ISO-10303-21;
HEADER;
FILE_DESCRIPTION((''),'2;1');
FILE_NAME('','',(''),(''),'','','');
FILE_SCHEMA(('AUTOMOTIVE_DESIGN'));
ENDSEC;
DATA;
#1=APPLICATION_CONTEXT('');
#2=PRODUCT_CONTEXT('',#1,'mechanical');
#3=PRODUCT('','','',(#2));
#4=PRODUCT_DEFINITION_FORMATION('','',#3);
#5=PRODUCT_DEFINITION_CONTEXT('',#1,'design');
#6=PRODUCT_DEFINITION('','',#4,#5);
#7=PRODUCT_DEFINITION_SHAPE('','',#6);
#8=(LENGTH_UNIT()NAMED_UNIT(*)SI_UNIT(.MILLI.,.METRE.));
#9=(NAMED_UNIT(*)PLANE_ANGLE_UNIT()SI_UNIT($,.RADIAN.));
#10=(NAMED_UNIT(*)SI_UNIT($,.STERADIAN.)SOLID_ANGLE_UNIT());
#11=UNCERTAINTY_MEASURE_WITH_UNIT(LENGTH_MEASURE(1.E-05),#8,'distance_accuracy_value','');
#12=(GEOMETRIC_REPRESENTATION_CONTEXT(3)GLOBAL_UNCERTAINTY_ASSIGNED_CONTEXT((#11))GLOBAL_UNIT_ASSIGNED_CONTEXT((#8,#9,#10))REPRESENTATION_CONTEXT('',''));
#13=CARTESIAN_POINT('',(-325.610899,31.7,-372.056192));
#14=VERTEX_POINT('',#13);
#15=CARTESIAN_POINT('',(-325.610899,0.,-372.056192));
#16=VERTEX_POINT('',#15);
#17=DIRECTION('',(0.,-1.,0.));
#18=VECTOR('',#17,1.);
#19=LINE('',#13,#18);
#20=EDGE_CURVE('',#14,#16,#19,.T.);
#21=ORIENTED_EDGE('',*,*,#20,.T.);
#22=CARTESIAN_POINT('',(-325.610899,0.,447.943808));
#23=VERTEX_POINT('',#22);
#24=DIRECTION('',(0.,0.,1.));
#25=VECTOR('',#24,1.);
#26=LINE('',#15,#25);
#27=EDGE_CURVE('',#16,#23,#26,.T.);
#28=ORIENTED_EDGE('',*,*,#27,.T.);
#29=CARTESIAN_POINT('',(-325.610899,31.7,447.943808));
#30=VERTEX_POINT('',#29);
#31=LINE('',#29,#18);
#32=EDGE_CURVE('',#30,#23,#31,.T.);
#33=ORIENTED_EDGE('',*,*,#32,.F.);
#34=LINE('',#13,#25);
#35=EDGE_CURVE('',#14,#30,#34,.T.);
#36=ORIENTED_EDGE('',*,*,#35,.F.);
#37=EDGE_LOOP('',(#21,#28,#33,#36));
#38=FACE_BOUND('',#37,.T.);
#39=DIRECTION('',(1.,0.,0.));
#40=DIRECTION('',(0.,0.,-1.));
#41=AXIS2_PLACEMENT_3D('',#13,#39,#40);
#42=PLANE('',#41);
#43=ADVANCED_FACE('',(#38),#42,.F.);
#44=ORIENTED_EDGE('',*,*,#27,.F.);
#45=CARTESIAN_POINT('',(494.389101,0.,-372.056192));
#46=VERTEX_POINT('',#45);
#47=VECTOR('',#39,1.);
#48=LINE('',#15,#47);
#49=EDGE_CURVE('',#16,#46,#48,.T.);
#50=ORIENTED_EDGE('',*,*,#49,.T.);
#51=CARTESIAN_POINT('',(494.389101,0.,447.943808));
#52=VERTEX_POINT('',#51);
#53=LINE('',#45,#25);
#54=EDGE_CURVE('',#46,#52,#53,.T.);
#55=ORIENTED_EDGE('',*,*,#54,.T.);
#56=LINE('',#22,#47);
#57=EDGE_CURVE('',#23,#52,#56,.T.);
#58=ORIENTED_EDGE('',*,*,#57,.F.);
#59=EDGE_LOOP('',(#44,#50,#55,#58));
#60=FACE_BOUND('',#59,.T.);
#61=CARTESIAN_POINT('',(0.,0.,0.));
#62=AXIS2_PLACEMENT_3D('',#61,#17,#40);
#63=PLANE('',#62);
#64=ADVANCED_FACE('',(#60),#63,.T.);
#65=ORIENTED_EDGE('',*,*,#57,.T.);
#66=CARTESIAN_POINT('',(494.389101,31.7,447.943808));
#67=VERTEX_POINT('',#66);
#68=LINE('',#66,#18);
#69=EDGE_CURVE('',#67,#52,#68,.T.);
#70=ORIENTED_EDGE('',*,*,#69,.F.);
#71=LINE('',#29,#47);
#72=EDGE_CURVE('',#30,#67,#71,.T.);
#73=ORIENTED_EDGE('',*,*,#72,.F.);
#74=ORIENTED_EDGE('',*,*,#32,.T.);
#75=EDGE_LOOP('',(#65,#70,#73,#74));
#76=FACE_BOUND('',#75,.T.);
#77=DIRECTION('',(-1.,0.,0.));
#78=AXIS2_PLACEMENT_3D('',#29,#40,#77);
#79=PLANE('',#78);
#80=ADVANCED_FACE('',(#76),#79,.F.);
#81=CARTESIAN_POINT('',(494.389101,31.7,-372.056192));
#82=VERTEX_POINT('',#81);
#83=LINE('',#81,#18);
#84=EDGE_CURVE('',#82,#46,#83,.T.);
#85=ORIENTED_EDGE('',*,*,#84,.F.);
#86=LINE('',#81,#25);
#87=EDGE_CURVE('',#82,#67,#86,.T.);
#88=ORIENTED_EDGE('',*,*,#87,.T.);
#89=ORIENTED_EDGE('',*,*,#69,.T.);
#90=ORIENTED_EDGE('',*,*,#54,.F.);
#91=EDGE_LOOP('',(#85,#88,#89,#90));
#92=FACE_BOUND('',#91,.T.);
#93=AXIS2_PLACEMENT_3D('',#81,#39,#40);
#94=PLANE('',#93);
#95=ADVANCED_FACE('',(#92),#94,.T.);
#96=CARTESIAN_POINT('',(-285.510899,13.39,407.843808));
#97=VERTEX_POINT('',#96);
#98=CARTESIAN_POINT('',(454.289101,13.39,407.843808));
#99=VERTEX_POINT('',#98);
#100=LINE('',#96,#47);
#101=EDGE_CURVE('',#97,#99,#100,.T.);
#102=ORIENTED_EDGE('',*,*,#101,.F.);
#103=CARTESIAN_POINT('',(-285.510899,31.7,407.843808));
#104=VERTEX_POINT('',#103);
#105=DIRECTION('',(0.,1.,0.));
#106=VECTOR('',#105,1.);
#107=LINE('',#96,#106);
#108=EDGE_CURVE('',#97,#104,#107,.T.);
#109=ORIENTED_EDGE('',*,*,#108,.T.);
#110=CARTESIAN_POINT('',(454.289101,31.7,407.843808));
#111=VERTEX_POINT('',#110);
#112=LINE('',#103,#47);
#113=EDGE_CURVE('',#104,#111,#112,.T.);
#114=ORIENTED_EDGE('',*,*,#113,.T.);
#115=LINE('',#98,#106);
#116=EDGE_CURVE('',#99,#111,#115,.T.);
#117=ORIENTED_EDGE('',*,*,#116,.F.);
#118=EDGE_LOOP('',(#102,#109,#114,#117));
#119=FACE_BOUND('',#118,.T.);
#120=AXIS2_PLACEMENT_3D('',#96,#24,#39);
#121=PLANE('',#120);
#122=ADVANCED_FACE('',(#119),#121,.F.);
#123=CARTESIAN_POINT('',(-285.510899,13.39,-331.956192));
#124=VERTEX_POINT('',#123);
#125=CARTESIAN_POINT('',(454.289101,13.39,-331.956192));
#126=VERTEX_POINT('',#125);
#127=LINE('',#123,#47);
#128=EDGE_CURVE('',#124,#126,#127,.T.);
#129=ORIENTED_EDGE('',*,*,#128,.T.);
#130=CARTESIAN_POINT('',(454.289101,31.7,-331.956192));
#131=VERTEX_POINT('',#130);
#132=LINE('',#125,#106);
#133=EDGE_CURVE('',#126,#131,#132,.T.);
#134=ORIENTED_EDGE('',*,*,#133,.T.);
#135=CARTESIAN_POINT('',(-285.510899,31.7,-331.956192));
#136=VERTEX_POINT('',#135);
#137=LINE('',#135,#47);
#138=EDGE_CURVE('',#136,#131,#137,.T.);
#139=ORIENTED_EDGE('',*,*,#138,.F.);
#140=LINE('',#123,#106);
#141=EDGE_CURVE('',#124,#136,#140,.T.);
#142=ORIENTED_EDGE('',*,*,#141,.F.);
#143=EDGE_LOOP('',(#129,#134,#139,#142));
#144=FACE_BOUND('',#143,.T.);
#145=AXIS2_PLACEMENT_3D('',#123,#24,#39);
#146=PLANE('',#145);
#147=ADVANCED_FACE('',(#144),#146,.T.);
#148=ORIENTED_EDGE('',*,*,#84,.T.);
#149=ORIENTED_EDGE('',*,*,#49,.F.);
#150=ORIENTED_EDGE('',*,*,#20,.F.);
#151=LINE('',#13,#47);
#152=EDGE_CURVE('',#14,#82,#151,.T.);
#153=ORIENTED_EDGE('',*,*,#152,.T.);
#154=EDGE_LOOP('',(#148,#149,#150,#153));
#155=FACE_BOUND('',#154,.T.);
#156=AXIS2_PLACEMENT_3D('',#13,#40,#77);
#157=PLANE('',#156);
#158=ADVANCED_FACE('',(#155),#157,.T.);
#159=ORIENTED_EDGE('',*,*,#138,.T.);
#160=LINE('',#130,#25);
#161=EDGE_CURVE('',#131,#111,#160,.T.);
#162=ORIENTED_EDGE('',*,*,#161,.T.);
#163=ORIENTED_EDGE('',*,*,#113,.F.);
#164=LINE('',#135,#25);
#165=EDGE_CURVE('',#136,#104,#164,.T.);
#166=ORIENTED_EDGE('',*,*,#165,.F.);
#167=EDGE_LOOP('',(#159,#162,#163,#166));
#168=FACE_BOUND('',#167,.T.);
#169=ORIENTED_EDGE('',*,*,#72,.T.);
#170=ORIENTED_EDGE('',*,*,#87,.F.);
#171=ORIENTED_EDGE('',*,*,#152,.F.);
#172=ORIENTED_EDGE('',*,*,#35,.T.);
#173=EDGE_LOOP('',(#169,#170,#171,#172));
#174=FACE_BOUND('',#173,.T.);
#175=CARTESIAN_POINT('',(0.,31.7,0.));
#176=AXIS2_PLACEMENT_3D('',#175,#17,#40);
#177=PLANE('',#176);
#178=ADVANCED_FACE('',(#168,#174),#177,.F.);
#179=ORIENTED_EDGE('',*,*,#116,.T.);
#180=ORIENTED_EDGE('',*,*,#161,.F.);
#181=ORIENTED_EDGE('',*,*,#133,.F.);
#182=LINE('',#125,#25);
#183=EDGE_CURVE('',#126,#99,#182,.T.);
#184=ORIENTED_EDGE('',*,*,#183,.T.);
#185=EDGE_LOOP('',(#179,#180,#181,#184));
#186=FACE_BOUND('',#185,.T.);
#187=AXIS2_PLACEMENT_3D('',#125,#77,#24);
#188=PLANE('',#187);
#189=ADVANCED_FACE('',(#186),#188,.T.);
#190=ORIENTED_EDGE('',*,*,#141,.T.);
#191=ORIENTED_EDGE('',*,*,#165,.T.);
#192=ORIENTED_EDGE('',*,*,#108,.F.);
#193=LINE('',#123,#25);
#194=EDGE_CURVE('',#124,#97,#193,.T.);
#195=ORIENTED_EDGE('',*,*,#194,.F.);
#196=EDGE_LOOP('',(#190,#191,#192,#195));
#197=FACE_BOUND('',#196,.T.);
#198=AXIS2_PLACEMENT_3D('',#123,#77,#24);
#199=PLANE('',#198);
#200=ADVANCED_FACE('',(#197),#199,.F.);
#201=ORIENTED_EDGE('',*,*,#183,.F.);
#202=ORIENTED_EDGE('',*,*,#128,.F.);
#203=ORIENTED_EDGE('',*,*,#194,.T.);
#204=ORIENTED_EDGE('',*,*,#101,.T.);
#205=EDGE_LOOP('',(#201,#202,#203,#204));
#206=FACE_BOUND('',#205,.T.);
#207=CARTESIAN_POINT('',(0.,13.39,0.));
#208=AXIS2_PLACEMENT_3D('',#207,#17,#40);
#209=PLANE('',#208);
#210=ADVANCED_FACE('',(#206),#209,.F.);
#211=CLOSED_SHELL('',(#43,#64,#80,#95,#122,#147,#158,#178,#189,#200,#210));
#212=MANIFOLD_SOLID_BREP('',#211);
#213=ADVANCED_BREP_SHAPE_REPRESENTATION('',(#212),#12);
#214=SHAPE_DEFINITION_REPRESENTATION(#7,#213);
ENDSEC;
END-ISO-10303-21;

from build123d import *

# Parameters (mm, degrees)
SKETCH1_W           = 820
SKETCH1_H           = 820
BOSS_EXTRUDE1_DEPTH = 31.7
SKETCH2_W           = 739.8
SKETCH2_H           = 739.8
CUT_EXTRUDE1_DEPTH  = 18.31


with BuildPart() as part:
    # Sketch1 → Boss-Extrude1 (new body)
    with BuildSketch(Plane(origin=(0, 0, 0), x_dir=(1, 0, 0), z_dir=(0, 1, 0))):
        with Locations((84.389101173, -37.943808122)):
            Rectangle(SKETCH1_W, SKETCH1_H)
    extrude(amount=BOSS_EXTRUDE1_DEPTH)

    # Sketch2 → Cut-Extrude1 (cut)
    with BuildSketch(Plane(origin=(0, 31.7, 0), x_dir=(1, 0, 0), z_dir=(0, 1, 0))):
        with Locations((84.389101173, -37.943808122)):
            Rectangle(SKETCH2_W, SKETCH2_H)
    extrude(amount=-CUT_EXTRUDE1_DEPTH, mode=Mode.SUBTRACT)


solid = part.part
